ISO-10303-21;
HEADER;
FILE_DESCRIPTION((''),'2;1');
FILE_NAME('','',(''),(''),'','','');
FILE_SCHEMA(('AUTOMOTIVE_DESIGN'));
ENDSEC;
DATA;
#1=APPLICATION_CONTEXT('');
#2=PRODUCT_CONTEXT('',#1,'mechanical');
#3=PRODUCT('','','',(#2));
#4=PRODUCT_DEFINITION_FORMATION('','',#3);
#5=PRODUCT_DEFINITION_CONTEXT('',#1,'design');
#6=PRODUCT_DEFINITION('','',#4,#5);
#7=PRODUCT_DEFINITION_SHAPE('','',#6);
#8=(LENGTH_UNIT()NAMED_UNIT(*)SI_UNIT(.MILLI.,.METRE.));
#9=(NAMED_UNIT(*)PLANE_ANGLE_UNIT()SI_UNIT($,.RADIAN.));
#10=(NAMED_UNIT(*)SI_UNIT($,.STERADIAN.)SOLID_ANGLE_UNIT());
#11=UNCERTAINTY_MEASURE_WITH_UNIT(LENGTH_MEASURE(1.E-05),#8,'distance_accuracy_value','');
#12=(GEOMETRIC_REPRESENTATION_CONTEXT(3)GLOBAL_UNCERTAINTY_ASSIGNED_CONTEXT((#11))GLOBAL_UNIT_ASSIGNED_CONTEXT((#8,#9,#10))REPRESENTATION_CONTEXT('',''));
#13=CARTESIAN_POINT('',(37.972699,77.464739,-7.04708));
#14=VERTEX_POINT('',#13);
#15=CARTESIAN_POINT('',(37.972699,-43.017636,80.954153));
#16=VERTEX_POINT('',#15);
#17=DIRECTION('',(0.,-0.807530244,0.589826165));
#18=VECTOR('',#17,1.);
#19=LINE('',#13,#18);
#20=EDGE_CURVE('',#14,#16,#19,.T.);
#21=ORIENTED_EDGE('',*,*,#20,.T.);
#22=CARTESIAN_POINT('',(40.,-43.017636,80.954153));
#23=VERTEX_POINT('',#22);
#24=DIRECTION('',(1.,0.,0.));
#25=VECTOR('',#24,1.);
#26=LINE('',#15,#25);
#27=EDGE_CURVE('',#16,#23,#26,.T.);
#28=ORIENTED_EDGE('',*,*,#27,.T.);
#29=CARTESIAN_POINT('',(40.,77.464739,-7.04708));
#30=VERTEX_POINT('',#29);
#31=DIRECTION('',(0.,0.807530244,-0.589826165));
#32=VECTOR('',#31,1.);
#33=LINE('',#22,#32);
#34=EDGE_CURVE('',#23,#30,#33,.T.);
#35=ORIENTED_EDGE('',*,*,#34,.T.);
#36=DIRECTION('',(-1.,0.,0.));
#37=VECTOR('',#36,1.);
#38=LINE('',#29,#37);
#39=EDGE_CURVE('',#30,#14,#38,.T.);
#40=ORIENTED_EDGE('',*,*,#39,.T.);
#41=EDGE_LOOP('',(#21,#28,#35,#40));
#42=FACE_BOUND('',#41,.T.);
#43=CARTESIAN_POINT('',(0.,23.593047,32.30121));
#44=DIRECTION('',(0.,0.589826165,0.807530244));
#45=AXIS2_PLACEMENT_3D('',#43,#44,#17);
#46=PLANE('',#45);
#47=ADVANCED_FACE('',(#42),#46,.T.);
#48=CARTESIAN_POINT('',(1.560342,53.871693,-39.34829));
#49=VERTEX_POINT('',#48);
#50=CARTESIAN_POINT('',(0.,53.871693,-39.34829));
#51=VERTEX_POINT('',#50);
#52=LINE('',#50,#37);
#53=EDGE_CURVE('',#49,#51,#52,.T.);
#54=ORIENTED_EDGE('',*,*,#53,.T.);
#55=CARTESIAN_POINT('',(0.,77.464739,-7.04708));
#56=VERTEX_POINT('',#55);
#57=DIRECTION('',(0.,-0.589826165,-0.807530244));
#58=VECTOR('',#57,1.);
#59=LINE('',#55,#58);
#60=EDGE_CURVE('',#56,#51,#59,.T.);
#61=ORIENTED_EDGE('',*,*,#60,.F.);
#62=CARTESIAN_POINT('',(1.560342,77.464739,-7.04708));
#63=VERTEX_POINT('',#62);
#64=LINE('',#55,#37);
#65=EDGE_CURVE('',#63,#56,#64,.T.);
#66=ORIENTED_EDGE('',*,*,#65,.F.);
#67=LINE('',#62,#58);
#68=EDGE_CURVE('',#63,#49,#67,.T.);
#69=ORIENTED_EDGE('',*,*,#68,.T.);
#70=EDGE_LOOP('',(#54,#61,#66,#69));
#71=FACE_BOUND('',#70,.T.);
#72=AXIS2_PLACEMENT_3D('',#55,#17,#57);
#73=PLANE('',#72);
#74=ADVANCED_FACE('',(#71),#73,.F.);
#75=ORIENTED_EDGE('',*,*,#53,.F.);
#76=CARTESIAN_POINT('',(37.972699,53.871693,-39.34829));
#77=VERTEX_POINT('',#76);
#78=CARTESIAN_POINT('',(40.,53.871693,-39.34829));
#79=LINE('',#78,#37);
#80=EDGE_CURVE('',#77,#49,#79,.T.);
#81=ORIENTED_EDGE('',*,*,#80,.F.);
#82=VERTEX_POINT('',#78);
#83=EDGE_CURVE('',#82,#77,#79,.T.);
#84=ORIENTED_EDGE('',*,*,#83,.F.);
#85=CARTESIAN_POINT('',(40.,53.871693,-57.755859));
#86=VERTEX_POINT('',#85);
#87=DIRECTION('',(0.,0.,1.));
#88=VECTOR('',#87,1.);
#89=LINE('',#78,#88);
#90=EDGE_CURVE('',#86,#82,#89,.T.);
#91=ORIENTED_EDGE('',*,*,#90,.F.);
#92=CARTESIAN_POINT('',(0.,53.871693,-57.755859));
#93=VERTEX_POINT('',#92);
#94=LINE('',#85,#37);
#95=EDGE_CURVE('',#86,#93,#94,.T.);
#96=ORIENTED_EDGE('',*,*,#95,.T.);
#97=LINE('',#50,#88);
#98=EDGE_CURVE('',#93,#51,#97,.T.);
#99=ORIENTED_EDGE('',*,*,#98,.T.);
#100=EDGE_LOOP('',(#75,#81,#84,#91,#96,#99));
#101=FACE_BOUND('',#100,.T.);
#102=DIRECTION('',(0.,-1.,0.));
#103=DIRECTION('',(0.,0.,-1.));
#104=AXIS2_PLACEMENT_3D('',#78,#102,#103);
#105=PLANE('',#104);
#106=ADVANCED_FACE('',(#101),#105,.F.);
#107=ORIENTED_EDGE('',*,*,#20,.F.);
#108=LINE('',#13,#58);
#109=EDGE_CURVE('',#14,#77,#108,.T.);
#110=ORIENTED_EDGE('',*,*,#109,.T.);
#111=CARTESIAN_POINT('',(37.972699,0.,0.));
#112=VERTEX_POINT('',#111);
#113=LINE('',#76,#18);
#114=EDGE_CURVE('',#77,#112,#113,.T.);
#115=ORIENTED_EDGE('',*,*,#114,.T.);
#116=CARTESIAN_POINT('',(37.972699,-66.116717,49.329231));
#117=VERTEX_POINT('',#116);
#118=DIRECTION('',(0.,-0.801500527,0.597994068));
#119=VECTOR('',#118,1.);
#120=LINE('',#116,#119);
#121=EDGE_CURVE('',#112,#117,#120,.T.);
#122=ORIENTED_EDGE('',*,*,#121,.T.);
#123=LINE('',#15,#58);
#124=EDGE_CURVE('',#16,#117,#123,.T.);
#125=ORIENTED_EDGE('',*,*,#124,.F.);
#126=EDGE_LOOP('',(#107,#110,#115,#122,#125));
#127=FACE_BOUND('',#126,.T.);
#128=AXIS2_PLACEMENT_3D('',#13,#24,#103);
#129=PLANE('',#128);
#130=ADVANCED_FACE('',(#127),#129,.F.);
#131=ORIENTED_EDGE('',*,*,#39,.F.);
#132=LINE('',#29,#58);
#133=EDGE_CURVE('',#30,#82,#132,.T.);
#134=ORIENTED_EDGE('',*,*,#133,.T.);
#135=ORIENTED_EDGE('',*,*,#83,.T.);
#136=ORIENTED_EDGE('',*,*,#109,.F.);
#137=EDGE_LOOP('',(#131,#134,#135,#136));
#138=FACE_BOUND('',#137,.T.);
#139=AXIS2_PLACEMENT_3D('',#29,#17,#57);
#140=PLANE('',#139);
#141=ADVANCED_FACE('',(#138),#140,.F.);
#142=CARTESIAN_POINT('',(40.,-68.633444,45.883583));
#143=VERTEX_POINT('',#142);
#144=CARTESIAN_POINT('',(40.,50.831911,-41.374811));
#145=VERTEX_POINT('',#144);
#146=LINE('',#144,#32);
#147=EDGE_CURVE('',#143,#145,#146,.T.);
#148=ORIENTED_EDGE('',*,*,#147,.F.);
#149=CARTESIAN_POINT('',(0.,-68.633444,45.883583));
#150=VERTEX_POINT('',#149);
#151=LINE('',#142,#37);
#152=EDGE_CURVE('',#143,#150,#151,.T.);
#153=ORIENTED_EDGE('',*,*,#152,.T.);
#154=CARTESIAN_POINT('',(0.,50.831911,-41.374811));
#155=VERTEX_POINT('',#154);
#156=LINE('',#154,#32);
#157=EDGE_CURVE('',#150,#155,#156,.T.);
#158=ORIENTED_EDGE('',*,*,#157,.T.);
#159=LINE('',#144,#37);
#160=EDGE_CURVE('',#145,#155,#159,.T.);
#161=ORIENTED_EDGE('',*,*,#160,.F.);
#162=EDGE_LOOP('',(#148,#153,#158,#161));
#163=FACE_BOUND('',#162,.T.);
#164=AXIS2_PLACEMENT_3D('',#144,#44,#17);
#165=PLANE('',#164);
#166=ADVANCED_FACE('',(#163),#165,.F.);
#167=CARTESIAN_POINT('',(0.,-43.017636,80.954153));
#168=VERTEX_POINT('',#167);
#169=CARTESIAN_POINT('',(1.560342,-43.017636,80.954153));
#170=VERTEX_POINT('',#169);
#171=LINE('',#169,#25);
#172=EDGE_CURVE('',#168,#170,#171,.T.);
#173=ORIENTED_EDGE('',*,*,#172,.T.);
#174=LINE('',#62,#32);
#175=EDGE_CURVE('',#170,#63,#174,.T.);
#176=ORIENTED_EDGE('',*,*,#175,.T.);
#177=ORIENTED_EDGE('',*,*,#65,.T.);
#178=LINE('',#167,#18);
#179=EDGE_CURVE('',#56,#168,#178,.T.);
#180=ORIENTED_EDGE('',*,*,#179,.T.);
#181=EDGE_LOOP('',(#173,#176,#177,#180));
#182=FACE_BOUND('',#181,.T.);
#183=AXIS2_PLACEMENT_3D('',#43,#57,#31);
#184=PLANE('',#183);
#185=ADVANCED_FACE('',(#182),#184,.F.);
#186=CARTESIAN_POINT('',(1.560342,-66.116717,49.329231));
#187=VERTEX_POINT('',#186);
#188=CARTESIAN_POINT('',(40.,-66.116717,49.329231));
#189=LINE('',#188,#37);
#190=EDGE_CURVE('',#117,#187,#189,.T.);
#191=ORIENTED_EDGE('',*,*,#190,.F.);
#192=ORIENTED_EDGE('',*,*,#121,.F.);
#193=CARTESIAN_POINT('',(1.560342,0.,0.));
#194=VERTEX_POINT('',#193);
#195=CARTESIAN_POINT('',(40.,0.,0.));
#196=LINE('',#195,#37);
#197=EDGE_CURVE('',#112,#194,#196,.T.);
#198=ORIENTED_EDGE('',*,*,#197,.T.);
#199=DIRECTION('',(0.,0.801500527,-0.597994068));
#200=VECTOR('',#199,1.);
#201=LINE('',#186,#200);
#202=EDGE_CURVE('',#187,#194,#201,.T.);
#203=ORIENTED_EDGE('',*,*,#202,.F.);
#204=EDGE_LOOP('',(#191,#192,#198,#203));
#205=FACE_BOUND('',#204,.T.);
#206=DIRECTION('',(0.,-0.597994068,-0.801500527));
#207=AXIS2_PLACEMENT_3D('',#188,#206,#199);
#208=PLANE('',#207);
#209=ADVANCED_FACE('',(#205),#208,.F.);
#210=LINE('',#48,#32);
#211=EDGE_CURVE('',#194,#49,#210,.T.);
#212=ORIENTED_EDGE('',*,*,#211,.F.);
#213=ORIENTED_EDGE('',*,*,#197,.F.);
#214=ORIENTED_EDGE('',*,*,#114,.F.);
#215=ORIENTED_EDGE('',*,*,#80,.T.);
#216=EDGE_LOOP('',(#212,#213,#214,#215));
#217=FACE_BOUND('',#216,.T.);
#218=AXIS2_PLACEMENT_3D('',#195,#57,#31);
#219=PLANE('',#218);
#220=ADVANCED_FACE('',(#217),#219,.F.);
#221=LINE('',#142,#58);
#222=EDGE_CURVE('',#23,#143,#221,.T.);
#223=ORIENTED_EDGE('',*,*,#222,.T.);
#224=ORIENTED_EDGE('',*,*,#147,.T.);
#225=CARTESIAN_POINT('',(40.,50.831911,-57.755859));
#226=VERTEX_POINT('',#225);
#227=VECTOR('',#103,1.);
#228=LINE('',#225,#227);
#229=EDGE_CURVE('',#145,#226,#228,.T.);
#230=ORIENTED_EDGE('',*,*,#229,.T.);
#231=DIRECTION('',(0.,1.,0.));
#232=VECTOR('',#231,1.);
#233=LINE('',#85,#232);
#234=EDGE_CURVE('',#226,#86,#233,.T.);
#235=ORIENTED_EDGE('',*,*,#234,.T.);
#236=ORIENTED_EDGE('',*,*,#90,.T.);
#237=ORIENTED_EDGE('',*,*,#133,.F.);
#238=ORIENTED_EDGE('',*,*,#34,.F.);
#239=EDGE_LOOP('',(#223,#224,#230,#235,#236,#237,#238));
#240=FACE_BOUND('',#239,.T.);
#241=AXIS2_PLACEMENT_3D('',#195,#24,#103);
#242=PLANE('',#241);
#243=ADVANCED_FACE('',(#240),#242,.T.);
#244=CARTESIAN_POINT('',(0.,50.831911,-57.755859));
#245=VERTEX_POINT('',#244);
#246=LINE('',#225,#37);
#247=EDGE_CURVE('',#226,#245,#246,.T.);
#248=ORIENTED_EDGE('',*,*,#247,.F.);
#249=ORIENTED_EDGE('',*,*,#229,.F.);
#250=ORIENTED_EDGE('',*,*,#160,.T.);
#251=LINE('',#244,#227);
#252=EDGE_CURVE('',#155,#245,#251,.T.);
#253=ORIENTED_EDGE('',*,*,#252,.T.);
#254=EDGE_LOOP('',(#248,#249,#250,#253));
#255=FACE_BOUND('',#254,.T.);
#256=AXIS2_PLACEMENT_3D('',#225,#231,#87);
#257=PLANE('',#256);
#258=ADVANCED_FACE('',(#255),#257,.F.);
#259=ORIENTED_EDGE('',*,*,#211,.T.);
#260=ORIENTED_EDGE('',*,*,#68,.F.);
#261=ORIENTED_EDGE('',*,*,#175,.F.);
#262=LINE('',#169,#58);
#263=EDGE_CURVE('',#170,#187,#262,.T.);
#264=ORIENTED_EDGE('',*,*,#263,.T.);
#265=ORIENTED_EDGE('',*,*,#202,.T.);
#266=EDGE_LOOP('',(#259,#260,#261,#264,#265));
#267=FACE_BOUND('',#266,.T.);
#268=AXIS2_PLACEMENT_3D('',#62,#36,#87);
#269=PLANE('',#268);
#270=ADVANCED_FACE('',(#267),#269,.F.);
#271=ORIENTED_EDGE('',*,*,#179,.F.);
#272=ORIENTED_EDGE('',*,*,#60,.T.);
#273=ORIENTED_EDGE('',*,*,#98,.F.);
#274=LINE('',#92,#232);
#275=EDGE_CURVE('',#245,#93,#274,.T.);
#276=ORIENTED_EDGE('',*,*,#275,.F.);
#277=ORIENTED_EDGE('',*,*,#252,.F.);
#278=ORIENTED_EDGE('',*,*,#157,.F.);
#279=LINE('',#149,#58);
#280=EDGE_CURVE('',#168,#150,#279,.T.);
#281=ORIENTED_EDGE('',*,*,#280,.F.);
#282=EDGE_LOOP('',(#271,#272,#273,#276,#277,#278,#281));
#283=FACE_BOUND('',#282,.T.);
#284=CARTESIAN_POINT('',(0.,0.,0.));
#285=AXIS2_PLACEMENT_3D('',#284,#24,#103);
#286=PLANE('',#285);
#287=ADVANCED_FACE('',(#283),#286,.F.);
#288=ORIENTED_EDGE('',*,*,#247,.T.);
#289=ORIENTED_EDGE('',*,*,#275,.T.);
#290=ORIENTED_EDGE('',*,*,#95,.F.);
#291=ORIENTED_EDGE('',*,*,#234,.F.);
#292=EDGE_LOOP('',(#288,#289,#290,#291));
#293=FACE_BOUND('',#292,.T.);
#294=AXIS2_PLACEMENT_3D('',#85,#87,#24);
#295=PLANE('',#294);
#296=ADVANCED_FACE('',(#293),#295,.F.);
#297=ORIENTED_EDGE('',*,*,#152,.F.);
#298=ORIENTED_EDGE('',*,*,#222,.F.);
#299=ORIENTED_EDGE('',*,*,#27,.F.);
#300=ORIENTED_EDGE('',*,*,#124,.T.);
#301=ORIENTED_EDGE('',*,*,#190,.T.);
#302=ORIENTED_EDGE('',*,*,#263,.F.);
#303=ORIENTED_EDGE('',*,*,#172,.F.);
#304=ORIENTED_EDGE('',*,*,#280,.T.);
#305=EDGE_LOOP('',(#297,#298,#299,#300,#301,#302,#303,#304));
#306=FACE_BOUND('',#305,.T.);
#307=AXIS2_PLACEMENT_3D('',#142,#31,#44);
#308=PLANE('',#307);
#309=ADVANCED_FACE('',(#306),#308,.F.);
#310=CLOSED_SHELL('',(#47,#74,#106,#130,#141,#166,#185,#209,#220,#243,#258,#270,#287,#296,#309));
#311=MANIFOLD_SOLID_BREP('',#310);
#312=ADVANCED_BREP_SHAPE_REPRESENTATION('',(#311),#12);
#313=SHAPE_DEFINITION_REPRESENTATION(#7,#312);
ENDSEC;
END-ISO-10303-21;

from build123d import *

# Parameters (mm, degrees)
BOSS_EXTRUDE1_DEPTH = 40
SKETCH4_W           = 1.560342198
SKETCH4_H           = 149.198591979
BOSS_EXTRUDE2_DEPTH = 40
SKETCH6_W           = 2.027300843
SKETCH6_H           = 149.198591979
BOSS_EXTRUDE3_DEPTH = 40


with BuildPart() as part:
    # Sketch3 → Boss-Extrude1 (new body)
    with BuildSketch(Plane(origin=(0, 0, 0), x_dir=(0, 0, -1), z_dir=(1, 0, 0))):
        Polygon((0, 0), (39.348289754, 53.871692839), (57.75585878, 53.871692839), (57.75585878, 50.831910798), (41.374811114, 50.831910798), (-45.883583059, -68.633444315), (-49.329231032, -66.116717112), align=None)
    extrude(amount=BOSS_EXTRUDE1_DEPTH)

    # Sketch4 → Boss-Extrude2 (add)
    with BuildSketch(Plane(origin=(0, 0, 0), x_dir=(1, 0, 0), z_dir=(0, 0.5898261654750604, 0.8075302437190738))):
        with Locations((0.780171099, -7.887623879)):
            Rectangle(SKETCH4_W, SKETCH4_H)
    extrude(amount=BOSS_EXTRUDE2_DEPTH)

    # Sketch6 → Boss-Extrude3 (add)
    with BuildSketch(Plane(origin=(0, 0, 0), x_dir=(1, 0, 0), z_dir=(0, 0.5898261654750604, 0.8075302437190738))):
        with Locations((38.986349578, -7.887623879)):
            Rectangle(SKETCH6_W, SKETCH6_H)
    extrude(amount=BOSS_EXTRUDE3_DEPTH)


solid = part.part
